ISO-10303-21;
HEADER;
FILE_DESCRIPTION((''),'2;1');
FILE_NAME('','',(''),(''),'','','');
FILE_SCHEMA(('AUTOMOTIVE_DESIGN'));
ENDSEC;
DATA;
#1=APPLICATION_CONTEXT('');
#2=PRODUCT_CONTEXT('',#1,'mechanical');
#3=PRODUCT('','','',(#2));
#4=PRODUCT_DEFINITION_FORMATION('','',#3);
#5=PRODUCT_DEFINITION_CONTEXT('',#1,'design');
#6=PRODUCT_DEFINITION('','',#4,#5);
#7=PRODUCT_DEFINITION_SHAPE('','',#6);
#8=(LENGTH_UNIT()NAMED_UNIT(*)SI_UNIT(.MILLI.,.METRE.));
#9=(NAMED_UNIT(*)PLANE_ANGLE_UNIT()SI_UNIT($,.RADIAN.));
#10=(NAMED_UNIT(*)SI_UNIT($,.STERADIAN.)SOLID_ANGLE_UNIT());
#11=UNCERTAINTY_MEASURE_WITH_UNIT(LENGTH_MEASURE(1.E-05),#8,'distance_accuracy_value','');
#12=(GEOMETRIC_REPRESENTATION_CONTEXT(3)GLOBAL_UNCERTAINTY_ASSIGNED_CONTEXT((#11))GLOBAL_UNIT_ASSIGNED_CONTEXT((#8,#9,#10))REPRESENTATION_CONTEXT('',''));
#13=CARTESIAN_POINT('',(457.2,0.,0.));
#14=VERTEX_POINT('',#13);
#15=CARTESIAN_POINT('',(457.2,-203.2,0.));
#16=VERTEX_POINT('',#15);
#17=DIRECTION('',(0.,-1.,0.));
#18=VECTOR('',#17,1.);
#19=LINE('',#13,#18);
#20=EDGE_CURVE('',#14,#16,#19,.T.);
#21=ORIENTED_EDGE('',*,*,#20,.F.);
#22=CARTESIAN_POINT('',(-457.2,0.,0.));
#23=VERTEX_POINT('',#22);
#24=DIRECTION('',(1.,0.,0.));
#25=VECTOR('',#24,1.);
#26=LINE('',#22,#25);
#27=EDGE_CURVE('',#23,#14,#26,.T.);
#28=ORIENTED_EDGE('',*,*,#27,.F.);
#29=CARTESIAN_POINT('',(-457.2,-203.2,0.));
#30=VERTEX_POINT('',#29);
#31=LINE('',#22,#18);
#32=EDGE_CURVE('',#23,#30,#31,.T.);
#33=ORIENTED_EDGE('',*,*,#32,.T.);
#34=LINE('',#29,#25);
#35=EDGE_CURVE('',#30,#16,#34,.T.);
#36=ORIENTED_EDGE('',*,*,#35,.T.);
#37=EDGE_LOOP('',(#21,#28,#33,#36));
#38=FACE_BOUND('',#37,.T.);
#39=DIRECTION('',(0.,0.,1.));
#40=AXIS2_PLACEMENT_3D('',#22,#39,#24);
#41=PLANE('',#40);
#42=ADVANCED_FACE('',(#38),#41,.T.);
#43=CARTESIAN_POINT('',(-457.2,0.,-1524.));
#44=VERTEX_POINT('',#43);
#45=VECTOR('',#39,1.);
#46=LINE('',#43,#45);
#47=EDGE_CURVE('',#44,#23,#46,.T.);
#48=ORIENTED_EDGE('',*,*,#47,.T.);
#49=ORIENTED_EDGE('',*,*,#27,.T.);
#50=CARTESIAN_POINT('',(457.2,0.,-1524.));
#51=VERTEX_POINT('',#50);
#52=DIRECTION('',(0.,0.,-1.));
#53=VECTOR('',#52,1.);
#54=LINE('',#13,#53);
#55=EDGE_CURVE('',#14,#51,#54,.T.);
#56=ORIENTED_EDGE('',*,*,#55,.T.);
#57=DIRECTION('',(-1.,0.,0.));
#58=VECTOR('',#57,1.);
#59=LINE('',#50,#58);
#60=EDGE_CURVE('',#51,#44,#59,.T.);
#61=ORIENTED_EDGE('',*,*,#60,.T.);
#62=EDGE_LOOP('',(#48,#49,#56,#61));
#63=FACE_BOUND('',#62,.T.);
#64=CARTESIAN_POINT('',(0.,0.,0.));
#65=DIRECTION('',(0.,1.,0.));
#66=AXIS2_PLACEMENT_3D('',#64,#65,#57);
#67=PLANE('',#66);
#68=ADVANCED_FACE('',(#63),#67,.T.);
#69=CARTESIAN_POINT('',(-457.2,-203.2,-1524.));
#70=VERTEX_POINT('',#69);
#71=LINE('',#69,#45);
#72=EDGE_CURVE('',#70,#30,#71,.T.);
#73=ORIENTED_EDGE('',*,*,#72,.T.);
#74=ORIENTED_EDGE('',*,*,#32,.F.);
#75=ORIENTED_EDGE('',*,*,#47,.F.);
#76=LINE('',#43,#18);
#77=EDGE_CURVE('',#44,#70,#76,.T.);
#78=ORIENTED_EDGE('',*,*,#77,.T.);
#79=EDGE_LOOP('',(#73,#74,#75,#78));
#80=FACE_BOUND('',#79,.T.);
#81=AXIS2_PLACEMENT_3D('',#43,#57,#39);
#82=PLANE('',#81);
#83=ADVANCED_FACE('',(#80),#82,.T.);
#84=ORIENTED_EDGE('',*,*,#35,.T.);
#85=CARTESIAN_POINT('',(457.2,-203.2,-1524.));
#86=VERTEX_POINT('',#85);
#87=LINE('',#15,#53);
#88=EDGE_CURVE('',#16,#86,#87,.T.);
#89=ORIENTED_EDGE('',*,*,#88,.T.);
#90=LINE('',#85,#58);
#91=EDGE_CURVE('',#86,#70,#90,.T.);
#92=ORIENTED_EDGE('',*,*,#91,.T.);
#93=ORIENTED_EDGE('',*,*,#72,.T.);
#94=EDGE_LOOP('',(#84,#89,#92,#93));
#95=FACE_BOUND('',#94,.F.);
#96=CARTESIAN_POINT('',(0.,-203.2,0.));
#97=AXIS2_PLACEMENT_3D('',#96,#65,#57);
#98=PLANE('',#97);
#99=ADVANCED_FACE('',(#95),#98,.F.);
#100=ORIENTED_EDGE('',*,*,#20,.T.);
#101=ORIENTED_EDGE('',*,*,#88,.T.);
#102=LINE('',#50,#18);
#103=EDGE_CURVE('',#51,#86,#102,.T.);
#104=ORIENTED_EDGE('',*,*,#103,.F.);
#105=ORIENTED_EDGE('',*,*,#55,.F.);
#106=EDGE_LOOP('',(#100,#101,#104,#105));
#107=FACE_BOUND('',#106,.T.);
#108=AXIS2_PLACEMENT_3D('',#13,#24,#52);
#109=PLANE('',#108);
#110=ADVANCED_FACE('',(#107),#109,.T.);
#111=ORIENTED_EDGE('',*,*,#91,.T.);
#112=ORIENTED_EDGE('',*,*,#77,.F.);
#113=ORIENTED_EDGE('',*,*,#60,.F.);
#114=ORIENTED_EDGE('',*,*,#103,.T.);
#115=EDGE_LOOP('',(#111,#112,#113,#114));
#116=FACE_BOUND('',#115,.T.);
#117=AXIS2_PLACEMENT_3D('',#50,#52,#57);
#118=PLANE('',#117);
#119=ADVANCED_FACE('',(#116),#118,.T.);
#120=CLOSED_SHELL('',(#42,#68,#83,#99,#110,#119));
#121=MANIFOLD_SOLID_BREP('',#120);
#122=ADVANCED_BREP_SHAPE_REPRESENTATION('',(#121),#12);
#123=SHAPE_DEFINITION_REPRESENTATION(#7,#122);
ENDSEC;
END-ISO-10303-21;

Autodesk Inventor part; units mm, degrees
ref_plane "PLANE IN" through (0, 0, 0) normal (0, 0, 1) x (1, 0, 0)
ref_plane "PLANE OUT" through (0, 0, -1524) normal (0, 0, 1) x (1, 0, 0)
ref_plane "PLANE CTR" through (0, 0, 0) normal (1, 0, 0) x (0, 1, 0)
ref_plane "PLANE RH" through (457.2, 0, 0) normal (1, 0, 0) x (0, 1, 0)
ref_plane "PLANE LH" through (-457.2, 0, 0) normal (1, 0, 0) x (0, 1, 0)
ref_plane "PLANE TOP" through (0, 0, 0) normal (0, 1, 0) x (-1, 0, 0)
ref_plane "PLANE BOT" through (0, -203.2, 0) normal (0, 1, 0) x (-1, 0, 0)
ref_plane "PLANE HANDLE RH" through (558.8, 0, 0) normal (1, 0, 0) x (0, 1, 0)
ref_plane "PLANE HANDLE LH" through (-558.8, 0, 0) normal (1, 0, 0) x (0, 1, 0)
ref_plane "PLANE HANDLE IN" through (0, 0, -63.5) normal (0, 0, 1) x (1, 0, 0)
ref_plane "PLANE HANDLE OUT" through (0, 0, -1460.5) normal (0, 0, 1) x (1, 0, 0)
ref_plane "PLANE HANDLE TOP" through (0, -63.5, 0) normal (0, 1, 0) x (-1, 0, 0)
sketch "SKETCH BODY" plane through (0, 0, 0) normal (0, 1, 0) x (-1, 0, 0)
  line L0 (457.2, 0) -> (-457.2, 0)
  line L1 (-457.2, 0) -> (-457.2, -1524)
  line L2 (-457.2, -1524) -> (457.2, -1524)
  line L3 (457.2, -1524) -> (457.2, 0)
  line L4 (-640.08, 0) -> (640.08, 0) projected
  line L5 (-640.08, -1524) -> (640.08, -1524) projected
  line L6 (-457.2, -3657.6) -> (-457.2, 609.6) projected
  line L7 (457.2, -3657.6) -> (457.2, 609.6) projected
extrude "EXT BODY" add sketch "SKETCH BODY" against normal blind 203.2
sketch "SKETCH HANDLE DIA" plane through (457.2, 0, 0) normal (1, 0, 0) x (0, 1, 0)
  circle A0 centre (-63.5, -63.5) radius 12.7
  line L0 (-63.5, -45.72) -> (-63.5, -81.28) projected
  line L1 (-81.28, -63.5) -> (-45.72, -63.5) projected
  dimension "d14" = 25.4
sketch "SKETCH HANDLE PATH" plane through (0, -63.5, 0) normal (0, 1, 0) x (-1, 0, 0)
  line L0 (-558.8, -3568.7) -> (-558.8, 520.7) projected
  line L1 (-579.12, -63.5) -> (-436.88, -63.5) projected
  line L2 (-579.12, -1460.5) -> (-436.88, -1460.5) projected
  line L3 (-457.2, -63.5) -> (-558.8, -63.5)
  line L4 (-558.8, -63.5) -> (-558.8, -1460.5)
  line L5 (-558.8, -1460.5) -> (-457.2, -1460.5)
  line L6 (-457.2, -1460.5) -> (-457.2, -63.5) construction
  line L7 (-457.2, -3568.7) -> (-457.2, 520.7) projected
feature "SWP HANDLE" [suppressed]
mirror "MIR HANDLE" [suppressed]
equation "\"d12\" = HEIGHT"
equation "\"d1\" = -LENGTH"
equation "\"d2\" = 0.5 * WIDTH"
equation "\"d3\" = -0.5 * WIDTH"
equation "\"d6\" = -HEIGHT"
equation "\"d7\" = HANDLE_OFFSET_CTR"
equation "\"d8\" = -HANDLE_OFFSET_CTR"
equation "\"d9\" = -HANDLE_OFFSET_END"
equation "\"d10\" = -LENGTH + HANDLE_OFFSET_END"
equation "\"d11\" = -HANDLE_OFFSET_TOP"
equation "\"LENGTH\" = 1524"
equation "\"WIDTH\" = 914.4"
equation "\"HEIGHT\" = 203.2"
equation "\"HANDLE_GAP\" = 101.6"
equation "\"HANDLE_OFFSET_CTR\" = 0.5 * WIDTH + HANDLE_GAP"
equation "\"HANDLE_OFFSET_END\" = 63.5"
equation "\"HANDLE_OFFSET_TOP\" = 63.5"
properties part number "KVA Part Automation"
